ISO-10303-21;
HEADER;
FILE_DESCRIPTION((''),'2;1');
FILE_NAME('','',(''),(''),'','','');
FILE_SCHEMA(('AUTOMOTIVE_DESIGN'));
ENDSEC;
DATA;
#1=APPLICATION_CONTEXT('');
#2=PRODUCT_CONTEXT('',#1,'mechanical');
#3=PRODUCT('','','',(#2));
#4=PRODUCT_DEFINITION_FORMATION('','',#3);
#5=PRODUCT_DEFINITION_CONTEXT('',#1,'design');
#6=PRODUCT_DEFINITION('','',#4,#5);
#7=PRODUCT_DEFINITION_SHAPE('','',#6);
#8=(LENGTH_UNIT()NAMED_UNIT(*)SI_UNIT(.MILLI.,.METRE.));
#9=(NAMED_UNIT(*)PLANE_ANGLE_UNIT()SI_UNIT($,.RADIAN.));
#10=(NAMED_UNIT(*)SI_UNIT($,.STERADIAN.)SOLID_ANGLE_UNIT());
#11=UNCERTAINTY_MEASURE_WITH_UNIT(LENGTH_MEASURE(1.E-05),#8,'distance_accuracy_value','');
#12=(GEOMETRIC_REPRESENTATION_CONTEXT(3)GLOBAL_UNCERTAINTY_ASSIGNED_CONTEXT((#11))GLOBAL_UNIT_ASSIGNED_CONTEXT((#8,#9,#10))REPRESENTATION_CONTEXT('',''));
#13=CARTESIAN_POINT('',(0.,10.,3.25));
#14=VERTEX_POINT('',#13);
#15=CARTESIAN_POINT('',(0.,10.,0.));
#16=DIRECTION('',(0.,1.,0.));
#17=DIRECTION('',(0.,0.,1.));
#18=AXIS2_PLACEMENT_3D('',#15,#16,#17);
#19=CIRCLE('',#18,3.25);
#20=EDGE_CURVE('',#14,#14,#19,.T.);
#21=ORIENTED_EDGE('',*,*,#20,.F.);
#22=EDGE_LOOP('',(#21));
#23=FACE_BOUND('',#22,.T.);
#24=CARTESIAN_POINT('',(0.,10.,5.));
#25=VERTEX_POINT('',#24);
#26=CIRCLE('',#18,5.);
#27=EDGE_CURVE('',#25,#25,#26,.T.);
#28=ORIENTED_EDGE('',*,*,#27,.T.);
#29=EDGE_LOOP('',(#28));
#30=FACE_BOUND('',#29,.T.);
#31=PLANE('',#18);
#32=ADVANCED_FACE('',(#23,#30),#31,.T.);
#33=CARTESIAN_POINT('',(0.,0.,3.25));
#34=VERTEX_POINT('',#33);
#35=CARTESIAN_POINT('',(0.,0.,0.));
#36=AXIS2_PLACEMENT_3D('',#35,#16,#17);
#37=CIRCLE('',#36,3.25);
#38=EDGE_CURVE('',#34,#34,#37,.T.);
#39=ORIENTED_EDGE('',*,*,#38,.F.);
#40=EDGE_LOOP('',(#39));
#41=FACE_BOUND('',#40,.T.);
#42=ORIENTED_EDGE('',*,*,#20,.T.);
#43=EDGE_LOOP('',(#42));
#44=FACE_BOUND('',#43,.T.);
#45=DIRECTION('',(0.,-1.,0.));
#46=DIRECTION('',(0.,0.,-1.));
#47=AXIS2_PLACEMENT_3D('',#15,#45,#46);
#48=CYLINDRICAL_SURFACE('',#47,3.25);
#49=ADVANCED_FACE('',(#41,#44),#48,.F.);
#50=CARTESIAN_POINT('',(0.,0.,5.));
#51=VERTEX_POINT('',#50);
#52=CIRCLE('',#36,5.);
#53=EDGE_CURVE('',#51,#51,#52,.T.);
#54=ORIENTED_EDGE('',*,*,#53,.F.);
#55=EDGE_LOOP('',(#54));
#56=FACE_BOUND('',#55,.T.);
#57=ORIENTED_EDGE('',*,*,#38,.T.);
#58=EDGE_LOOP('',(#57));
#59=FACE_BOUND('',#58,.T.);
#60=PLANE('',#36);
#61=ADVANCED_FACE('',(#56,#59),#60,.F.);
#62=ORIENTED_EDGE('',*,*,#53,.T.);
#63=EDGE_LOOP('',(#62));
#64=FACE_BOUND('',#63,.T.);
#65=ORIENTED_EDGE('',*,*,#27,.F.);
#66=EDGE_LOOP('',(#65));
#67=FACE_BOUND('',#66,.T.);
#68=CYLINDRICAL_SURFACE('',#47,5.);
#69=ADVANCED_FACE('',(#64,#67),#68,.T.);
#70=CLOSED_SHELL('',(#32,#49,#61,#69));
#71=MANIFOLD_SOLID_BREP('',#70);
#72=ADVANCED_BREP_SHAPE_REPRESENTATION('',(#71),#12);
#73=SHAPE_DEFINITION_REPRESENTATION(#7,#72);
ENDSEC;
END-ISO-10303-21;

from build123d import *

# Parameters (mm, degrees)
SKETCH_1_R      = 5
SKETCH_1_R_2    = 3.25
EXTRUDE_1_DEPTH = 10


with BuildPart() as part:
    # 草图1 → 凸台-拉伸1 (new body)
    with BuildSketch(Plane(origin=(0, 0, 0), x_dir=(1, 0, 0), z_dir=(0, 1, 0))):
        with Locations(Location((0, 0, 0), (0, 0, 270))):
            Circle(SKETCH_1_R)
        with Locations(Location((0, 0, 0), (0, 0, 270))):
            Circle(SKETCH_1_R_2, mode=Mode.SUBTRACT)
    extrude(amount=EXTRUDE_1_DEPTH)


solid = part.part
